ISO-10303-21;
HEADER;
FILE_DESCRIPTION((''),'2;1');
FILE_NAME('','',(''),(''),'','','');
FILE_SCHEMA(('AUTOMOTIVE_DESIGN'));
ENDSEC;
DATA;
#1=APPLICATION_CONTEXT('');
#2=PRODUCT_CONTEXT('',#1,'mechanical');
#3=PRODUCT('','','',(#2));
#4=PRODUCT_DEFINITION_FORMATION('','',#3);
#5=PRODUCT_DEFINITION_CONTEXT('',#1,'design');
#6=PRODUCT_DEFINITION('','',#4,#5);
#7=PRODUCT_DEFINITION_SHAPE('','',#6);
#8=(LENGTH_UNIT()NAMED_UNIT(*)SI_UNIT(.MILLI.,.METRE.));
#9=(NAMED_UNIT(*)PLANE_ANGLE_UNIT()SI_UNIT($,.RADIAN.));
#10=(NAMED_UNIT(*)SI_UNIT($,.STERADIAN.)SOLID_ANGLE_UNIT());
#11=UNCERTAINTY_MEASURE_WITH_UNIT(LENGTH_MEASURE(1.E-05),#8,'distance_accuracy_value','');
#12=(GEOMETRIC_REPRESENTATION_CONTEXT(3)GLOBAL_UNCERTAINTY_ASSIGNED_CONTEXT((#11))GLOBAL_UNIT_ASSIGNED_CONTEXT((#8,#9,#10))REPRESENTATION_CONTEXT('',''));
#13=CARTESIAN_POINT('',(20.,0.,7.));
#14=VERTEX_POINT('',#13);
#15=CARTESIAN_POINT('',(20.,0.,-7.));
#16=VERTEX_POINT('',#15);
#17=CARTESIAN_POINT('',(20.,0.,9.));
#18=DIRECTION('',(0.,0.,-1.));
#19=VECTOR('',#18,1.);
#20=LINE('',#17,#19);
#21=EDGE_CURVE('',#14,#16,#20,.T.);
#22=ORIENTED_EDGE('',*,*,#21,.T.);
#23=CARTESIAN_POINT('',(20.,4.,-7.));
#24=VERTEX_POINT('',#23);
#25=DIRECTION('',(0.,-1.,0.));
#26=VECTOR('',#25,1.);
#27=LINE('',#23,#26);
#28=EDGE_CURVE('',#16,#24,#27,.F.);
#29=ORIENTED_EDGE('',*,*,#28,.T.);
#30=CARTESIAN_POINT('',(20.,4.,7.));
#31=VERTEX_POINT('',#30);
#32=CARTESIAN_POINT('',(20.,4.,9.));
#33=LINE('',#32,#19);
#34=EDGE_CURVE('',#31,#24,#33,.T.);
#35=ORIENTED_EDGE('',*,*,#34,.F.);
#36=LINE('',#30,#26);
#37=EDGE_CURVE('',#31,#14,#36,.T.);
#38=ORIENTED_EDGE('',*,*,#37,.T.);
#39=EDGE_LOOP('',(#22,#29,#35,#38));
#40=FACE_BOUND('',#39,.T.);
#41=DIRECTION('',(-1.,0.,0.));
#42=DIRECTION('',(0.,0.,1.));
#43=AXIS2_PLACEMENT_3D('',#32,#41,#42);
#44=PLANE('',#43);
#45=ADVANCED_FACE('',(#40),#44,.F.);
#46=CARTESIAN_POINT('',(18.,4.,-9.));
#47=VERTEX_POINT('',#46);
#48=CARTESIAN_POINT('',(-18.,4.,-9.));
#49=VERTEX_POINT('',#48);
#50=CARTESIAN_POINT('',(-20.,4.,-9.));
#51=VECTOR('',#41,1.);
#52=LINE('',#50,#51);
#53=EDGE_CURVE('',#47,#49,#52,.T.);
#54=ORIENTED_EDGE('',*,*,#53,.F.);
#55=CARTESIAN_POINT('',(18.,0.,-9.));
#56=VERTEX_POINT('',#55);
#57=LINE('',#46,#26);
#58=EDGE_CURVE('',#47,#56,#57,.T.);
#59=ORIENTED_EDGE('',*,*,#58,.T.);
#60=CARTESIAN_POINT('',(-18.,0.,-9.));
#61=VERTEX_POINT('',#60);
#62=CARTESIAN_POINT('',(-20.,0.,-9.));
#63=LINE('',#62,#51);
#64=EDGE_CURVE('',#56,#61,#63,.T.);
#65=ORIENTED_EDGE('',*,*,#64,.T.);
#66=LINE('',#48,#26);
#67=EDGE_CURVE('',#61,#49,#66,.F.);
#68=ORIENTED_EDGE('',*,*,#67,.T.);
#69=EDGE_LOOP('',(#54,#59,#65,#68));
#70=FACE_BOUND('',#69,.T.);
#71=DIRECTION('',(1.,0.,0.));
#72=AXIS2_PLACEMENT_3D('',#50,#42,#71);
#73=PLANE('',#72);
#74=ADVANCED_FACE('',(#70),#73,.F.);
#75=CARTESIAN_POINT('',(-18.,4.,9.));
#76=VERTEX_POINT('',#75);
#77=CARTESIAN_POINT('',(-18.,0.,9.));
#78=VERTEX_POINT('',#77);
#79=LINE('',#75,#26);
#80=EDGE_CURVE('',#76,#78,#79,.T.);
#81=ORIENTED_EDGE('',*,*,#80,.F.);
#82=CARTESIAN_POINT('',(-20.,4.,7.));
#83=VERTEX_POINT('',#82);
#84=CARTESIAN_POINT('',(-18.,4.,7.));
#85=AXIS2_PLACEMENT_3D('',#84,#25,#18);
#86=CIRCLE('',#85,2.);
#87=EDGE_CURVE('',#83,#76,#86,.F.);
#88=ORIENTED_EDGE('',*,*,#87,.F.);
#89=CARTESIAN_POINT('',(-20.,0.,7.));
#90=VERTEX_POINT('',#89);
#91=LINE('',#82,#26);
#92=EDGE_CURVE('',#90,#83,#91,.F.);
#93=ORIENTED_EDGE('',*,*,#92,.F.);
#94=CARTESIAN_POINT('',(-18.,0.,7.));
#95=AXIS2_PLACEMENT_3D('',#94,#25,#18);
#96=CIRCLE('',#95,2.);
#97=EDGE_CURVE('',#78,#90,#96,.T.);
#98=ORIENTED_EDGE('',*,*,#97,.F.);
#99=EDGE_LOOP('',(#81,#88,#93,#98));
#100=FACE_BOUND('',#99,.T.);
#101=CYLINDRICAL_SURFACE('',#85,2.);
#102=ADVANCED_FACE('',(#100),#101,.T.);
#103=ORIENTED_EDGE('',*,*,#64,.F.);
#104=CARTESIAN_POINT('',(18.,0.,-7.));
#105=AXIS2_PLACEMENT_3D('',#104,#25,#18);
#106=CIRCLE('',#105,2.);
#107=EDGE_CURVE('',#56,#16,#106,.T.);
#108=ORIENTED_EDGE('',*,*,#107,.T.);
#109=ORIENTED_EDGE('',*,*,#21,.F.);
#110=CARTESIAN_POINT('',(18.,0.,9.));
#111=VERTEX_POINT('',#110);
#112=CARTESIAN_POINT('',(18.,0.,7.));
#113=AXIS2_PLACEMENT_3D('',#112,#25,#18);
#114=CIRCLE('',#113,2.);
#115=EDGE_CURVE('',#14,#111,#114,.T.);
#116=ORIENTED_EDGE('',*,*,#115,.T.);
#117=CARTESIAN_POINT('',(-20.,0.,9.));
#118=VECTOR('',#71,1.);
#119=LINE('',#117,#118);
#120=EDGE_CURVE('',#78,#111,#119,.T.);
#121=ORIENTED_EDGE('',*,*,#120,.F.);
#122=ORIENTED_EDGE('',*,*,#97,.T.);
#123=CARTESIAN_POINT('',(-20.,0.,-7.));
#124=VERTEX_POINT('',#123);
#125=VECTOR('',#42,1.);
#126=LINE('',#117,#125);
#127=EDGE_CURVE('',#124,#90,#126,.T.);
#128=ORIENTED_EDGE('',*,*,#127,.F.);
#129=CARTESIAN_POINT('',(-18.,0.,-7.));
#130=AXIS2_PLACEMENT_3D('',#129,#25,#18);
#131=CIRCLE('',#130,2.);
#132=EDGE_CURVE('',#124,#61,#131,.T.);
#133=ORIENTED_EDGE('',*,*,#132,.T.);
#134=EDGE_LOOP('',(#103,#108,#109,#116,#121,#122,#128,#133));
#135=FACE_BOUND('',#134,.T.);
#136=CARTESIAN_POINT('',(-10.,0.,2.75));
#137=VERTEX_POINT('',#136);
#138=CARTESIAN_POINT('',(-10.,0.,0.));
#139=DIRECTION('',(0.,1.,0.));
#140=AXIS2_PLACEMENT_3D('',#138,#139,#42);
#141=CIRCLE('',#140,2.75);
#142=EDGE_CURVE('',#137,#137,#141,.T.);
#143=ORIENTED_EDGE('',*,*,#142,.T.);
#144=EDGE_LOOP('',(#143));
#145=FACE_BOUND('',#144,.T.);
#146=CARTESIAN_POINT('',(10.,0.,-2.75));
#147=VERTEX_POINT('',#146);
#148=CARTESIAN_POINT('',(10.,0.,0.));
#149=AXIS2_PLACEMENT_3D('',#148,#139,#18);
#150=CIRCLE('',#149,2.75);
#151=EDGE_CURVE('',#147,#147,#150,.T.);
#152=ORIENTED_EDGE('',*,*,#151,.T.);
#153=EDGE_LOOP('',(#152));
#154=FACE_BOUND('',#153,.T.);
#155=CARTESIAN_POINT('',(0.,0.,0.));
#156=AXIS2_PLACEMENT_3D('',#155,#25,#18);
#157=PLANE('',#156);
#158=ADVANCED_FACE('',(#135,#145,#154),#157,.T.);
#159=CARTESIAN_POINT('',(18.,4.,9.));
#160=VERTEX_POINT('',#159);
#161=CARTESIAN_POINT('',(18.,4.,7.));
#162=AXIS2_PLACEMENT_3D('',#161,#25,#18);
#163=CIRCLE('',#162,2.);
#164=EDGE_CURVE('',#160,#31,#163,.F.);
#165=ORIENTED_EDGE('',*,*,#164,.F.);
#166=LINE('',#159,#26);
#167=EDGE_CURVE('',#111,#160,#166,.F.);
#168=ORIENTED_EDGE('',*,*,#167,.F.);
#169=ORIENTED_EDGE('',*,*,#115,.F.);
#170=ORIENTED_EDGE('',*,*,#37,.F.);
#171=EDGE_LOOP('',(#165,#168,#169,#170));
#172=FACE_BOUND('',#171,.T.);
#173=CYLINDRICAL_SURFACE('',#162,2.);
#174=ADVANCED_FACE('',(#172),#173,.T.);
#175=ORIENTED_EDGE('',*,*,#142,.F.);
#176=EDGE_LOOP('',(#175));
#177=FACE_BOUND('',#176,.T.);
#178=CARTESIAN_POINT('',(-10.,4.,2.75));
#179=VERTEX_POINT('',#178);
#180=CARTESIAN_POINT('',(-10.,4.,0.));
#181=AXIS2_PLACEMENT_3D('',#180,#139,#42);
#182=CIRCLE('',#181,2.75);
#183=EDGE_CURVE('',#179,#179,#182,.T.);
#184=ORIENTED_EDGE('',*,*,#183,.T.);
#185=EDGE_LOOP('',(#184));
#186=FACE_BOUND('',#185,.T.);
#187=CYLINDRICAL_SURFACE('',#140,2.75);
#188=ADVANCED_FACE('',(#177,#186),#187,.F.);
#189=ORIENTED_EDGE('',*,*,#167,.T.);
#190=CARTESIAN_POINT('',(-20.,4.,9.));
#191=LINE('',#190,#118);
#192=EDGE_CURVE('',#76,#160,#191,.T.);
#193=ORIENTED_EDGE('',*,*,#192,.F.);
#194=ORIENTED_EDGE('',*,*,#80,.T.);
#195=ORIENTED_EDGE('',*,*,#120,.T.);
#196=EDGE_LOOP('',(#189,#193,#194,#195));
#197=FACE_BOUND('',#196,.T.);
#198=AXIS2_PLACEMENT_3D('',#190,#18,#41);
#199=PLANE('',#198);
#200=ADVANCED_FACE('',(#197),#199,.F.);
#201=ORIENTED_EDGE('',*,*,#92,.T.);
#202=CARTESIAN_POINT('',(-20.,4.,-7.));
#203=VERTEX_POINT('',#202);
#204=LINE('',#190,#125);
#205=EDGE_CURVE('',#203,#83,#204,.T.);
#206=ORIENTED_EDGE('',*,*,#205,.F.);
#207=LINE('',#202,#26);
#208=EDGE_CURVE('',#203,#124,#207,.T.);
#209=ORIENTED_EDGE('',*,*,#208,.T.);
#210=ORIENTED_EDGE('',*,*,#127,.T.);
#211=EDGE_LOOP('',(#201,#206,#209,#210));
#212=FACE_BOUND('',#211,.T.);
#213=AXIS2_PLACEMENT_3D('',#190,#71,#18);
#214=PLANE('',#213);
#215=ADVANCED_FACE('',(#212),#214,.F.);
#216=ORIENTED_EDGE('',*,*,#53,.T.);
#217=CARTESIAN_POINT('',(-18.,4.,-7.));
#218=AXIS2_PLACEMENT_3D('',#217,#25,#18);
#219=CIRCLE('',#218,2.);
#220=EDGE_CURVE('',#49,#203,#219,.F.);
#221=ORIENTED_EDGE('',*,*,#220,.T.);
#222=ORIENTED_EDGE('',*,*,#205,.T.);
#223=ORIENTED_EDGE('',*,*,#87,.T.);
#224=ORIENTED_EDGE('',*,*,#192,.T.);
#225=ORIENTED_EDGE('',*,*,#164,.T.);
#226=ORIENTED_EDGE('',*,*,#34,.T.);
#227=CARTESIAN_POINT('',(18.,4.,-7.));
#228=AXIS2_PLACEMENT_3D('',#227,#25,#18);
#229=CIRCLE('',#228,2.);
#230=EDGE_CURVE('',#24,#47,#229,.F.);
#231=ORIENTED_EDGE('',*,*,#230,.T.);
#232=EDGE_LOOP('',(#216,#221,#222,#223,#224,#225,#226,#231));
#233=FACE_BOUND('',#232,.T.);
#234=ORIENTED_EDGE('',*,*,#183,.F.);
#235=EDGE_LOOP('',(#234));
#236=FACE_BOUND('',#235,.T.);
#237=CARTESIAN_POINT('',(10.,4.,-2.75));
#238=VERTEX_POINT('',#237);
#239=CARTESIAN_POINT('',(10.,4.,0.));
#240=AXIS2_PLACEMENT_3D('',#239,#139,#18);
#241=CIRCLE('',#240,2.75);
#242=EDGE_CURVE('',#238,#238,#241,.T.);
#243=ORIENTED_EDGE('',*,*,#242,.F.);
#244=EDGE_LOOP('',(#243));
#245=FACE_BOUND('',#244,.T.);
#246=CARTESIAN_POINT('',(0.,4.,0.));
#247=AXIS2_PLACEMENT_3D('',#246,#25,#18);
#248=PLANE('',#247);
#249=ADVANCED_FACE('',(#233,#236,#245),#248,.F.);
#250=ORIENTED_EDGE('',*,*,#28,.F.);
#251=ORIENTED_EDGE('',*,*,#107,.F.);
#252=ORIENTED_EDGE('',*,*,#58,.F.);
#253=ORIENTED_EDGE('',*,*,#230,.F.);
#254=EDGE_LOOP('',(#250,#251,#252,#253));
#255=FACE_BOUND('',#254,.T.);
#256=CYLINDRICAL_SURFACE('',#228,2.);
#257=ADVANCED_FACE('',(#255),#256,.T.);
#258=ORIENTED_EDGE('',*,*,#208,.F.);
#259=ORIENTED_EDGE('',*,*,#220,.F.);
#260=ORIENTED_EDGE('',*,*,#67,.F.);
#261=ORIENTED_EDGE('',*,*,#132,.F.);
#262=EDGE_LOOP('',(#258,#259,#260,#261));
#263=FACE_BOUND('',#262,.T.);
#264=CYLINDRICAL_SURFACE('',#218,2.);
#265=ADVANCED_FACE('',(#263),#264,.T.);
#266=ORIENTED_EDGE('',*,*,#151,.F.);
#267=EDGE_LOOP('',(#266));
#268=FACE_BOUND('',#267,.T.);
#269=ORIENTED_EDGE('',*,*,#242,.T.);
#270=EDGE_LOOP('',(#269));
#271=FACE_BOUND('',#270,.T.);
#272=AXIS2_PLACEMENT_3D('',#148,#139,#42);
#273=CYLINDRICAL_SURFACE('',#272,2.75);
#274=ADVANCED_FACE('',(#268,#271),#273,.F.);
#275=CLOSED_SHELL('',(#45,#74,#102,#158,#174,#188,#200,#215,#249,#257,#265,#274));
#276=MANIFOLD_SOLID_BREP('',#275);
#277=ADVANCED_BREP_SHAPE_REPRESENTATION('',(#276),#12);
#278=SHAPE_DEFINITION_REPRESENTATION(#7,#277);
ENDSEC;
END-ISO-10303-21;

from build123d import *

# Parameters (mm, degrees)
SKETCH_1_W          = 40
SKETCH_1_H          = 18
EXTRUDE_1_DEPTH     = 4
SKETCH_2_R          = 2.75
CUT_EXTRUDE_1_DEPTH = 4
FILLET_1_R          = 2


with BuildPart() as part:
    # 草图1 → 凸台-拉伸1 (new body)
    with BuildSketch(Plane(origin=(0, 0, 0), x_dir=(1, 0, 0), z_dir=(0, 1, 0))):
        Rectangle(SKETCH_1_W, SKETCH_1_H)
    extrude(amount=EXTRUDE_1_DEPTH)

    # 草图2 → 切除-拉伸1 (cut)
    with BuildSketch(Plane(origin=(0, 4, 0), x_dir=(1, 0, 0), z_dir=(0, 1, 0))):
        with Locations(Location((-10, 0, 0), (0, 0, 270))):
            Circle(SKETCH_2_R)
        with Locations(Location((10, 0, 0), (0, 0, 90))):
            Circle(SKETCH_2_R)
    extrude(amount=-CUT_EXTRUDE_1_DEPTH, mode=Mode.SUBTRACT)

    # 圆角1
    fillet_1_edges = [part.edges().sort_by_distance(p)[0] for p in [
        (20, 2, 9),
        (-20, 2, 9),
        (-20, 2, -9),
        (20, 2, -9),
    ]]
    fillet(fillet_1_edges, radius=FILLET_1_R)


solid = part.part
